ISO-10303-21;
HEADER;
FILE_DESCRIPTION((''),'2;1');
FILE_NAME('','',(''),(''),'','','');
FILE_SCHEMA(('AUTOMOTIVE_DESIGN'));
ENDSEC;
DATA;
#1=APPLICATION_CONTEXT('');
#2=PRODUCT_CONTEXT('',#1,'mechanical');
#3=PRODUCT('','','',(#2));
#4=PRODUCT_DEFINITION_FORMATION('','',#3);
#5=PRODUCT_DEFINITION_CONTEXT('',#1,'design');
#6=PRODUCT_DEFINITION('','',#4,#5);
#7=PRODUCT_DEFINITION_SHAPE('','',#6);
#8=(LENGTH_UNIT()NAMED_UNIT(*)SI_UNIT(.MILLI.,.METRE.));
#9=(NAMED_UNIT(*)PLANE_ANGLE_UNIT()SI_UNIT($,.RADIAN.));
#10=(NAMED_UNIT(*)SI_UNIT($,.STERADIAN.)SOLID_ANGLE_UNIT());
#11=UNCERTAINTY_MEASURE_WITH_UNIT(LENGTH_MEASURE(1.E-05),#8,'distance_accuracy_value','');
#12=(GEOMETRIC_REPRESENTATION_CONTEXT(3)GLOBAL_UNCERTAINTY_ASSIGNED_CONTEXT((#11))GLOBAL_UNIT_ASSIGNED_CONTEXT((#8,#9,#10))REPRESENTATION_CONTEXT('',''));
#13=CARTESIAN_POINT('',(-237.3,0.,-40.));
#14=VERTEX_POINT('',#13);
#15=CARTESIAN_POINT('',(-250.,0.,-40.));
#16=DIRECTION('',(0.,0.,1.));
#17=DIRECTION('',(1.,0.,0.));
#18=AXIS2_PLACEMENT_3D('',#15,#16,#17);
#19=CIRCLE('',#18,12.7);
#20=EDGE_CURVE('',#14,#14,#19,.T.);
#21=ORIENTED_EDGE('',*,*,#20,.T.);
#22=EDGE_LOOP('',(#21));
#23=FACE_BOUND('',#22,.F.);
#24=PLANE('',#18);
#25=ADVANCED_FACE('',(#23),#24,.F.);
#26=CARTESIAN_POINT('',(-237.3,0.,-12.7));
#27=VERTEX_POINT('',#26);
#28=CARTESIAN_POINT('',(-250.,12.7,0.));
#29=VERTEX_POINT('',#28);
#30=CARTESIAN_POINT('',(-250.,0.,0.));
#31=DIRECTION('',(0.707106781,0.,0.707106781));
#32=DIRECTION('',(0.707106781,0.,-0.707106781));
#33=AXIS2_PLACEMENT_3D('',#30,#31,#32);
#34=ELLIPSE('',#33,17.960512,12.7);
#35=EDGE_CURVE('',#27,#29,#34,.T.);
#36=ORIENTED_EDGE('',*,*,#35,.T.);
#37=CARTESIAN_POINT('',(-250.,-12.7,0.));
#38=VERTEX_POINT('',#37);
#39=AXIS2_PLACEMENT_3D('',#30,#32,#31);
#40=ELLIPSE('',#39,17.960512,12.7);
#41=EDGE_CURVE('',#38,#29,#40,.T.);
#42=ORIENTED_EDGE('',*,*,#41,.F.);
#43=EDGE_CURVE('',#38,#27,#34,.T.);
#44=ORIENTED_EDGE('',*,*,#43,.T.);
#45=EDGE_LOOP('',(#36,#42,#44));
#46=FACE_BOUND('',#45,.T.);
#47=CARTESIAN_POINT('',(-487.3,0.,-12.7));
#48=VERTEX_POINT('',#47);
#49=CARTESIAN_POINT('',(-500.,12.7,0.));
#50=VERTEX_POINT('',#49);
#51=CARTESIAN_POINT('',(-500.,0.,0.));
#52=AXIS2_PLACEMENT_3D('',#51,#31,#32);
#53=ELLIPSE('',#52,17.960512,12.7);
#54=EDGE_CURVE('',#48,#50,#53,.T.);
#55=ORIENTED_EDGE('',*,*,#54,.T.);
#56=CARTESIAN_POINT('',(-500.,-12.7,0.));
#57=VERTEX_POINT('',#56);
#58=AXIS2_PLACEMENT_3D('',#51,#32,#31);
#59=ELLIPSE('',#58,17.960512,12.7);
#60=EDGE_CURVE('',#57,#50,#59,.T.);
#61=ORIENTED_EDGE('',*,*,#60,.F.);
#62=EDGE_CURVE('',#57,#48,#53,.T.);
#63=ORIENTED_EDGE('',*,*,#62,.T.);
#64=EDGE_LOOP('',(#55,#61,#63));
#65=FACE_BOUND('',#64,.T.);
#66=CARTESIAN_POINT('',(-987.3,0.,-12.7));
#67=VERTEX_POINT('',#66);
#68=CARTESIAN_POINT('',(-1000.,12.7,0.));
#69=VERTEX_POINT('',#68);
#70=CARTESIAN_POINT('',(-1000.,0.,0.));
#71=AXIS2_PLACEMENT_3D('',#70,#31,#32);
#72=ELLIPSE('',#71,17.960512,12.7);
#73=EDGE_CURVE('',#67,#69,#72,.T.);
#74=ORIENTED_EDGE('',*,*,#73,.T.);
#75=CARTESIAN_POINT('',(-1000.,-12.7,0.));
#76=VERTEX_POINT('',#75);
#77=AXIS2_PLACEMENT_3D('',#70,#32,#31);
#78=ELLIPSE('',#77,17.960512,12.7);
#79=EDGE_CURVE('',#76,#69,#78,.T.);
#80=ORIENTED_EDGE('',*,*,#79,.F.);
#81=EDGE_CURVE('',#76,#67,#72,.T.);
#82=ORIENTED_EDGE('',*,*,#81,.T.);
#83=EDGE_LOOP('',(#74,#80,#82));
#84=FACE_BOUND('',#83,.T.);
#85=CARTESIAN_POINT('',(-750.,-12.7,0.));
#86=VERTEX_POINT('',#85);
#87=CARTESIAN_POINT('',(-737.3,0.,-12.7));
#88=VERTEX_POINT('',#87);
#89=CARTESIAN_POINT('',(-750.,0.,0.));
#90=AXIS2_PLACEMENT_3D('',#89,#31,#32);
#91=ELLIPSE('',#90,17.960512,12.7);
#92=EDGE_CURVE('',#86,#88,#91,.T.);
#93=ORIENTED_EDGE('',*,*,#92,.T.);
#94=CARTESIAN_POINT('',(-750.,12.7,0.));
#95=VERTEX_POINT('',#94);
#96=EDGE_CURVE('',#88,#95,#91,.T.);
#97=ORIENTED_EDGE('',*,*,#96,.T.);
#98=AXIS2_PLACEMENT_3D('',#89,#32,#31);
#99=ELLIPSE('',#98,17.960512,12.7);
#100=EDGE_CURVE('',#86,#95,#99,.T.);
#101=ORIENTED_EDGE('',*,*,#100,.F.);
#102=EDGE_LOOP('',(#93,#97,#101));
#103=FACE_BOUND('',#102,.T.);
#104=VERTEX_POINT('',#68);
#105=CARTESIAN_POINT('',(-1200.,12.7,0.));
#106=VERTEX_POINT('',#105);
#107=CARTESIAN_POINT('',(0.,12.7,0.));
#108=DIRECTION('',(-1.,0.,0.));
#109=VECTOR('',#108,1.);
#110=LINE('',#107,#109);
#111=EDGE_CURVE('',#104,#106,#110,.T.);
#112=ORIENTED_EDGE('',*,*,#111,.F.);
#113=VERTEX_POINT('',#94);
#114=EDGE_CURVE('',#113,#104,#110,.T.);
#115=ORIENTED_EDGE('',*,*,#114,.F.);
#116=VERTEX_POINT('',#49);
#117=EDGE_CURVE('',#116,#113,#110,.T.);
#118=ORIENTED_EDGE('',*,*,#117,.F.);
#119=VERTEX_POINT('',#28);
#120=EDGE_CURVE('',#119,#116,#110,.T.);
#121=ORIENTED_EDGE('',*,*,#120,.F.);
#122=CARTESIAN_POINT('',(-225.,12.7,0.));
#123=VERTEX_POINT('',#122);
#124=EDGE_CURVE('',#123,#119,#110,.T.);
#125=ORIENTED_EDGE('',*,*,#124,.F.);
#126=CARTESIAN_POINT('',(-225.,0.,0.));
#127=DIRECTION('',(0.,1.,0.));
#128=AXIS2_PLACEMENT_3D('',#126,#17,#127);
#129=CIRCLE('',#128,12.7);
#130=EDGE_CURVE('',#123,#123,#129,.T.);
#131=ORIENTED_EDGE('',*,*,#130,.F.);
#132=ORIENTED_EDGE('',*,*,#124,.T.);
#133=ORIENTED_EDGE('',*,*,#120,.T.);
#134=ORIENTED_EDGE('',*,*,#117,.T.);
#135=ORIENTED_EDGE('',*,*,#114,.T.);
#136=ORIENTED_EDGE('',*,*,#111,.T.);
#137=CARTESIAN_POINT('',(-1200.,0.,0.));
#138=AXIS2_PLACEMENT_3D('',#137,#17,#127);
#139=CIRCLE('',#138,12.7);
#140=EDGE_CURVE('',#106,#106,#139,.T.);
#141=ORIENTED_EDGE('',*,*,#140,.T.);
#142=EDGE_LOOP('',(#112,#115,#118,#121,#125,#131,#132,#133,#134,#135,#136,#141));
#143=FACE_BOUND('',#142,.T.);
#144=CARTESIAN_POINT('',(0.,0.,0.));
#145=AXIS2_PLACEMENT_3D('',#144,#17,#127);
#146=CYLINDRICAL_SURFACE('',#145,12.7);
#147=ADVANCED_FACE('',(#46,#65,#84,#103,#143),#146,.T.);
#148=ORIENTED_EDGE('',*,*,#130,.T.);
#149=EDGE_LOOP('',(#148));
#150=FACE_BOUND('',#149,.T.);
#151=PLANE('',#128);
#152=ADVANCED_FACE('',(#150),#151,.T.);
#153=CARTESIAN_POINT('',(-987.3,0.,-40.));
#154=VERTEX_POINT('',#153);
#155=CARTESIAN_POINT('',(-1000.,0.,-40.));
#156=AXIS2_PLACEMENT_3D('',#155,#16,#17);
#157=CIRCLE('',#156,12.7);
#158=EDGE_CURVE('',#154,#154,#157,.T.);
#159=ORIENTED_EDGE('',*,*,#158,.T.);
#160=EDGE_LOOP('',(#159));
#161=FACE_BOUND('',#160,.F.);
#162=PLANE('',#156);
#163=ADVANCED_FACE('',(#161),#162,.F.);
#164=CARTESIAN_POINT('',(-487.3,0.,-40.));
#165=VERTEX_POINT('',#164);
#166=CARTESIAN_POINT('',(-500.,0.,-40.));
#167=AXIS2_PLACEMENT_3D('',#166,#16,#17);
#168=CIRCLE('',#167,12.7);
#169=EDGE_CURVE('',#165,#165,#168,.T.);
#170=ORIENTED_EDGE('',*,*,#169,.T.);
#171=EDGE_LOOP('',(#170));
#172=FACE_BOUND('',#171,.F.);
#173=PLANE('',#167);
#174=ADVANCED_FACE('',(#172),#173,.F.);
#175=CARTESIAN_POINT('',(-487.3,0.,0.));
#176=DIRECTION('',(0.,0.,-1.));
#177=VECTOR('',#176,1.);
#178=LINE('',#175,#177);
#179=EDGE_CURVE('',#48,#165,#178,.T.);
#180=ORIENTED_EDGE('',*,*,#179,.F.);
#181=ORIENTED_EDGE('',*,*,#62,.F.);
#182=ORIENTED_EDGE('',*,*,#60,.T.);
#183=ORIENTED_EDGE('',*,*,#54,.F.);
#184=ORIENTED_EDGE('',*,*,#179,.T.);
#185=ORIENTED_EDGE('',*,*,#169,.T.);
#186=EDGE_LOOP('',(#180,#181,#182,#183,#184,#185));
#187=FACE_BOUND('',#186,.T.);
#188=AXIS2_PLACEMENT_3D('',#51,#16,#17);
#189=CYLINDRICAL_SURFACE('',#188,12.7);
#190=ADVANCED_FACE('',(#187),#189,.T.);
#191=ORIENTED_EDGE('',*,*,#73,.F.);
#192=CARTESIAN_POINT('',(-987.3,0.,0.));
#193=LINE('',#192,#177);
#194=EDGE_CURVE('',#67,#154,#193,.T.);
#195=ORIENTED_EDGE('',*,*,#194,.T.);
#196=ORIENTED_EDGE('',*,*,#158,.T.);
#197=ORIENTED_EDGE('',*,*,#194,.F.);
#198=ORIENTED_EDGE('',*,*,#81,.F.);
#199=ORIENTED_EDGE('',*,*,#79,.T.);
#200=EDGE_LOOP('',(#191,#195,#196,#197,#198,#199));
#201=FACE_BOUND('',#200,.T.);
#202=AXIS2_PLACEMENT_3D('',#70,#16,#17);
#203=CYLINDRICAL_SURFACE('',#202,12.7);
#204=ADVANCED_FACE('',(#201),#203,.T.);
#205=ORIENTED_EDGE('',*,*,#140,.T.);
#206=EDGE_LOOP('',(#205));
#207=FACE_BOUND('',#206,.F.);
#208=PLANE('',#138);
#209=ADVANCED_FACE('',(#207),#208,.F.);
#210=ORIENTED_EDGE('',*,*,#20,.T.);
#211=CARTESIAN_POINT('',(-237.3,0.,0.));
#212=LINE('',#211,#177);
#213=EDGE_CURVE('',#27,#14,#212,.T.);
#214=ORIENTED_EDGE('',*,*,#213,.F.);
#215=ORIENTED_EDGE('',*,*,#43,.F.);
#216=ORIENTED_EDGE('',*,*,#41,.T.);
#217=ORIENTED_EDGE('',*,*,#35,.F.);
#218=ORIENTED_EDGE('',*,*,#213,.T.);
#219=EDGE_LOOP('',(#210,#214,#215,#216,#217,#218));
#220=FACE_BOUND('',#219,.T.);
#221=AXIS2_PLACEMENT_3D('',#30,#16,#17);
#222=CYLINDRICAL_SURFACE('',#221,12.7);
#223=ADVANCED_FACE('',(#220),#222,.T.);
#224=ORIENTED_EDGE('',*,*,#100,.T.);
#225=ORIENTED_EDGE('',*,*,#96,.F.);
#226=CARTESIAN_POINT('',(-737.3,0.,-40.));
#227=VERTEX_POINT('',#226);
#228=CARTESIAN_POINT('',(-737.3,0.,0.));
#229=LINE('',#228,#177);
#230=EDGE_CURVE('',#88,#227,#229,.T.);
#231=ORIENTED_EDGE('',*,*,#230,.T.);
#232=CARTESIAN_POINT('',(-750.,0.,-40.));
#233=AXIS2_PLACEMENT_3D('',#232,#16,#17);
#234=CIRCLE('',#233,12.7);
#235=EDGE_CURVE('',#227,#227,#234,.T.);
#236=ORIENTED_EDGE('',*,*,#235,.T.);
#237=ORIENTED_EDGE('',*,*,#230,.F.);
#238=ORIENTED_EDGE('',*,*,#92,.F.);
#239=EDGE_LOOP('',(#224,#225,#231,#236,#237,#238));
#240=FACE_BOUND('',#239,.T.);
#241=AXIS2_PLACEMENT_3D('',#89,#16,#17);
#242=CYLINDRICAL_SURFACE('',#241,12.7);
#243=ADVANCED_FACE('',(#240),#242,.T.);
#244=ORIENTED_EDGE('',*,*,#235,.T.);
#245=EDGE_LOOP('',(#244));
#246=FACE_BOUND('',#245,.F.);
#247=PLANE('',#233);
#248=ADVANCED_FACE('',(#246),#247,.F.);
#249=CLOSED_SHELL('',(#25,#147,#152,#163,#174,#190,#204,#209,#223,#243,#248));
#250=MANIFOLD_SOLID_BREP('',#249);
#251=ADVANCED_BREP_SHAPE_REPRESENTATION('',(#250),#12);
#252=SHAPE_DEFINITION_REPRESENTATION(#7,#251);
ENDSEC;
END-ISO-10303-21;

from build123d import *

# Parameters (mm, degrees)
F0_R      = 12.7
F1_DEPTH  = 1200
F2_R      = 12.7
F3_DEPTH  = 40
F1_FACE_R = 12.7
F4_DEPTH  = 225


with BuildPart() as f1:
    # F0 (on Right) → F1 (new body)
    with BuildSketch(Plane.YZ):
        Circle(F0_R)
    extrude(amount=-F1_DEPTH)

    # F2 (on Top) → F3 (join)
    with BuildSketch(Plane.XY):
        with Locations((-250, 0)):
            Circle(F2_R)
        with Locations((-500, 0)):
            Circle(F2_R)
        with Locations((-750, 0)):
            Circle(F2_R)
        with Locations((-1000, 0)):
            Circle(F2_R)
    extrude(amount=-F3_DEPTH)

    # F1_face (on face) → F4 (cut)
    with BuildSketch(Plane.YZ):
        Circle(F1_FACE_R)
    extrude(amount=-F4_DEPTH, mode=Mode.SUBTRACT)


solid = f1.part
